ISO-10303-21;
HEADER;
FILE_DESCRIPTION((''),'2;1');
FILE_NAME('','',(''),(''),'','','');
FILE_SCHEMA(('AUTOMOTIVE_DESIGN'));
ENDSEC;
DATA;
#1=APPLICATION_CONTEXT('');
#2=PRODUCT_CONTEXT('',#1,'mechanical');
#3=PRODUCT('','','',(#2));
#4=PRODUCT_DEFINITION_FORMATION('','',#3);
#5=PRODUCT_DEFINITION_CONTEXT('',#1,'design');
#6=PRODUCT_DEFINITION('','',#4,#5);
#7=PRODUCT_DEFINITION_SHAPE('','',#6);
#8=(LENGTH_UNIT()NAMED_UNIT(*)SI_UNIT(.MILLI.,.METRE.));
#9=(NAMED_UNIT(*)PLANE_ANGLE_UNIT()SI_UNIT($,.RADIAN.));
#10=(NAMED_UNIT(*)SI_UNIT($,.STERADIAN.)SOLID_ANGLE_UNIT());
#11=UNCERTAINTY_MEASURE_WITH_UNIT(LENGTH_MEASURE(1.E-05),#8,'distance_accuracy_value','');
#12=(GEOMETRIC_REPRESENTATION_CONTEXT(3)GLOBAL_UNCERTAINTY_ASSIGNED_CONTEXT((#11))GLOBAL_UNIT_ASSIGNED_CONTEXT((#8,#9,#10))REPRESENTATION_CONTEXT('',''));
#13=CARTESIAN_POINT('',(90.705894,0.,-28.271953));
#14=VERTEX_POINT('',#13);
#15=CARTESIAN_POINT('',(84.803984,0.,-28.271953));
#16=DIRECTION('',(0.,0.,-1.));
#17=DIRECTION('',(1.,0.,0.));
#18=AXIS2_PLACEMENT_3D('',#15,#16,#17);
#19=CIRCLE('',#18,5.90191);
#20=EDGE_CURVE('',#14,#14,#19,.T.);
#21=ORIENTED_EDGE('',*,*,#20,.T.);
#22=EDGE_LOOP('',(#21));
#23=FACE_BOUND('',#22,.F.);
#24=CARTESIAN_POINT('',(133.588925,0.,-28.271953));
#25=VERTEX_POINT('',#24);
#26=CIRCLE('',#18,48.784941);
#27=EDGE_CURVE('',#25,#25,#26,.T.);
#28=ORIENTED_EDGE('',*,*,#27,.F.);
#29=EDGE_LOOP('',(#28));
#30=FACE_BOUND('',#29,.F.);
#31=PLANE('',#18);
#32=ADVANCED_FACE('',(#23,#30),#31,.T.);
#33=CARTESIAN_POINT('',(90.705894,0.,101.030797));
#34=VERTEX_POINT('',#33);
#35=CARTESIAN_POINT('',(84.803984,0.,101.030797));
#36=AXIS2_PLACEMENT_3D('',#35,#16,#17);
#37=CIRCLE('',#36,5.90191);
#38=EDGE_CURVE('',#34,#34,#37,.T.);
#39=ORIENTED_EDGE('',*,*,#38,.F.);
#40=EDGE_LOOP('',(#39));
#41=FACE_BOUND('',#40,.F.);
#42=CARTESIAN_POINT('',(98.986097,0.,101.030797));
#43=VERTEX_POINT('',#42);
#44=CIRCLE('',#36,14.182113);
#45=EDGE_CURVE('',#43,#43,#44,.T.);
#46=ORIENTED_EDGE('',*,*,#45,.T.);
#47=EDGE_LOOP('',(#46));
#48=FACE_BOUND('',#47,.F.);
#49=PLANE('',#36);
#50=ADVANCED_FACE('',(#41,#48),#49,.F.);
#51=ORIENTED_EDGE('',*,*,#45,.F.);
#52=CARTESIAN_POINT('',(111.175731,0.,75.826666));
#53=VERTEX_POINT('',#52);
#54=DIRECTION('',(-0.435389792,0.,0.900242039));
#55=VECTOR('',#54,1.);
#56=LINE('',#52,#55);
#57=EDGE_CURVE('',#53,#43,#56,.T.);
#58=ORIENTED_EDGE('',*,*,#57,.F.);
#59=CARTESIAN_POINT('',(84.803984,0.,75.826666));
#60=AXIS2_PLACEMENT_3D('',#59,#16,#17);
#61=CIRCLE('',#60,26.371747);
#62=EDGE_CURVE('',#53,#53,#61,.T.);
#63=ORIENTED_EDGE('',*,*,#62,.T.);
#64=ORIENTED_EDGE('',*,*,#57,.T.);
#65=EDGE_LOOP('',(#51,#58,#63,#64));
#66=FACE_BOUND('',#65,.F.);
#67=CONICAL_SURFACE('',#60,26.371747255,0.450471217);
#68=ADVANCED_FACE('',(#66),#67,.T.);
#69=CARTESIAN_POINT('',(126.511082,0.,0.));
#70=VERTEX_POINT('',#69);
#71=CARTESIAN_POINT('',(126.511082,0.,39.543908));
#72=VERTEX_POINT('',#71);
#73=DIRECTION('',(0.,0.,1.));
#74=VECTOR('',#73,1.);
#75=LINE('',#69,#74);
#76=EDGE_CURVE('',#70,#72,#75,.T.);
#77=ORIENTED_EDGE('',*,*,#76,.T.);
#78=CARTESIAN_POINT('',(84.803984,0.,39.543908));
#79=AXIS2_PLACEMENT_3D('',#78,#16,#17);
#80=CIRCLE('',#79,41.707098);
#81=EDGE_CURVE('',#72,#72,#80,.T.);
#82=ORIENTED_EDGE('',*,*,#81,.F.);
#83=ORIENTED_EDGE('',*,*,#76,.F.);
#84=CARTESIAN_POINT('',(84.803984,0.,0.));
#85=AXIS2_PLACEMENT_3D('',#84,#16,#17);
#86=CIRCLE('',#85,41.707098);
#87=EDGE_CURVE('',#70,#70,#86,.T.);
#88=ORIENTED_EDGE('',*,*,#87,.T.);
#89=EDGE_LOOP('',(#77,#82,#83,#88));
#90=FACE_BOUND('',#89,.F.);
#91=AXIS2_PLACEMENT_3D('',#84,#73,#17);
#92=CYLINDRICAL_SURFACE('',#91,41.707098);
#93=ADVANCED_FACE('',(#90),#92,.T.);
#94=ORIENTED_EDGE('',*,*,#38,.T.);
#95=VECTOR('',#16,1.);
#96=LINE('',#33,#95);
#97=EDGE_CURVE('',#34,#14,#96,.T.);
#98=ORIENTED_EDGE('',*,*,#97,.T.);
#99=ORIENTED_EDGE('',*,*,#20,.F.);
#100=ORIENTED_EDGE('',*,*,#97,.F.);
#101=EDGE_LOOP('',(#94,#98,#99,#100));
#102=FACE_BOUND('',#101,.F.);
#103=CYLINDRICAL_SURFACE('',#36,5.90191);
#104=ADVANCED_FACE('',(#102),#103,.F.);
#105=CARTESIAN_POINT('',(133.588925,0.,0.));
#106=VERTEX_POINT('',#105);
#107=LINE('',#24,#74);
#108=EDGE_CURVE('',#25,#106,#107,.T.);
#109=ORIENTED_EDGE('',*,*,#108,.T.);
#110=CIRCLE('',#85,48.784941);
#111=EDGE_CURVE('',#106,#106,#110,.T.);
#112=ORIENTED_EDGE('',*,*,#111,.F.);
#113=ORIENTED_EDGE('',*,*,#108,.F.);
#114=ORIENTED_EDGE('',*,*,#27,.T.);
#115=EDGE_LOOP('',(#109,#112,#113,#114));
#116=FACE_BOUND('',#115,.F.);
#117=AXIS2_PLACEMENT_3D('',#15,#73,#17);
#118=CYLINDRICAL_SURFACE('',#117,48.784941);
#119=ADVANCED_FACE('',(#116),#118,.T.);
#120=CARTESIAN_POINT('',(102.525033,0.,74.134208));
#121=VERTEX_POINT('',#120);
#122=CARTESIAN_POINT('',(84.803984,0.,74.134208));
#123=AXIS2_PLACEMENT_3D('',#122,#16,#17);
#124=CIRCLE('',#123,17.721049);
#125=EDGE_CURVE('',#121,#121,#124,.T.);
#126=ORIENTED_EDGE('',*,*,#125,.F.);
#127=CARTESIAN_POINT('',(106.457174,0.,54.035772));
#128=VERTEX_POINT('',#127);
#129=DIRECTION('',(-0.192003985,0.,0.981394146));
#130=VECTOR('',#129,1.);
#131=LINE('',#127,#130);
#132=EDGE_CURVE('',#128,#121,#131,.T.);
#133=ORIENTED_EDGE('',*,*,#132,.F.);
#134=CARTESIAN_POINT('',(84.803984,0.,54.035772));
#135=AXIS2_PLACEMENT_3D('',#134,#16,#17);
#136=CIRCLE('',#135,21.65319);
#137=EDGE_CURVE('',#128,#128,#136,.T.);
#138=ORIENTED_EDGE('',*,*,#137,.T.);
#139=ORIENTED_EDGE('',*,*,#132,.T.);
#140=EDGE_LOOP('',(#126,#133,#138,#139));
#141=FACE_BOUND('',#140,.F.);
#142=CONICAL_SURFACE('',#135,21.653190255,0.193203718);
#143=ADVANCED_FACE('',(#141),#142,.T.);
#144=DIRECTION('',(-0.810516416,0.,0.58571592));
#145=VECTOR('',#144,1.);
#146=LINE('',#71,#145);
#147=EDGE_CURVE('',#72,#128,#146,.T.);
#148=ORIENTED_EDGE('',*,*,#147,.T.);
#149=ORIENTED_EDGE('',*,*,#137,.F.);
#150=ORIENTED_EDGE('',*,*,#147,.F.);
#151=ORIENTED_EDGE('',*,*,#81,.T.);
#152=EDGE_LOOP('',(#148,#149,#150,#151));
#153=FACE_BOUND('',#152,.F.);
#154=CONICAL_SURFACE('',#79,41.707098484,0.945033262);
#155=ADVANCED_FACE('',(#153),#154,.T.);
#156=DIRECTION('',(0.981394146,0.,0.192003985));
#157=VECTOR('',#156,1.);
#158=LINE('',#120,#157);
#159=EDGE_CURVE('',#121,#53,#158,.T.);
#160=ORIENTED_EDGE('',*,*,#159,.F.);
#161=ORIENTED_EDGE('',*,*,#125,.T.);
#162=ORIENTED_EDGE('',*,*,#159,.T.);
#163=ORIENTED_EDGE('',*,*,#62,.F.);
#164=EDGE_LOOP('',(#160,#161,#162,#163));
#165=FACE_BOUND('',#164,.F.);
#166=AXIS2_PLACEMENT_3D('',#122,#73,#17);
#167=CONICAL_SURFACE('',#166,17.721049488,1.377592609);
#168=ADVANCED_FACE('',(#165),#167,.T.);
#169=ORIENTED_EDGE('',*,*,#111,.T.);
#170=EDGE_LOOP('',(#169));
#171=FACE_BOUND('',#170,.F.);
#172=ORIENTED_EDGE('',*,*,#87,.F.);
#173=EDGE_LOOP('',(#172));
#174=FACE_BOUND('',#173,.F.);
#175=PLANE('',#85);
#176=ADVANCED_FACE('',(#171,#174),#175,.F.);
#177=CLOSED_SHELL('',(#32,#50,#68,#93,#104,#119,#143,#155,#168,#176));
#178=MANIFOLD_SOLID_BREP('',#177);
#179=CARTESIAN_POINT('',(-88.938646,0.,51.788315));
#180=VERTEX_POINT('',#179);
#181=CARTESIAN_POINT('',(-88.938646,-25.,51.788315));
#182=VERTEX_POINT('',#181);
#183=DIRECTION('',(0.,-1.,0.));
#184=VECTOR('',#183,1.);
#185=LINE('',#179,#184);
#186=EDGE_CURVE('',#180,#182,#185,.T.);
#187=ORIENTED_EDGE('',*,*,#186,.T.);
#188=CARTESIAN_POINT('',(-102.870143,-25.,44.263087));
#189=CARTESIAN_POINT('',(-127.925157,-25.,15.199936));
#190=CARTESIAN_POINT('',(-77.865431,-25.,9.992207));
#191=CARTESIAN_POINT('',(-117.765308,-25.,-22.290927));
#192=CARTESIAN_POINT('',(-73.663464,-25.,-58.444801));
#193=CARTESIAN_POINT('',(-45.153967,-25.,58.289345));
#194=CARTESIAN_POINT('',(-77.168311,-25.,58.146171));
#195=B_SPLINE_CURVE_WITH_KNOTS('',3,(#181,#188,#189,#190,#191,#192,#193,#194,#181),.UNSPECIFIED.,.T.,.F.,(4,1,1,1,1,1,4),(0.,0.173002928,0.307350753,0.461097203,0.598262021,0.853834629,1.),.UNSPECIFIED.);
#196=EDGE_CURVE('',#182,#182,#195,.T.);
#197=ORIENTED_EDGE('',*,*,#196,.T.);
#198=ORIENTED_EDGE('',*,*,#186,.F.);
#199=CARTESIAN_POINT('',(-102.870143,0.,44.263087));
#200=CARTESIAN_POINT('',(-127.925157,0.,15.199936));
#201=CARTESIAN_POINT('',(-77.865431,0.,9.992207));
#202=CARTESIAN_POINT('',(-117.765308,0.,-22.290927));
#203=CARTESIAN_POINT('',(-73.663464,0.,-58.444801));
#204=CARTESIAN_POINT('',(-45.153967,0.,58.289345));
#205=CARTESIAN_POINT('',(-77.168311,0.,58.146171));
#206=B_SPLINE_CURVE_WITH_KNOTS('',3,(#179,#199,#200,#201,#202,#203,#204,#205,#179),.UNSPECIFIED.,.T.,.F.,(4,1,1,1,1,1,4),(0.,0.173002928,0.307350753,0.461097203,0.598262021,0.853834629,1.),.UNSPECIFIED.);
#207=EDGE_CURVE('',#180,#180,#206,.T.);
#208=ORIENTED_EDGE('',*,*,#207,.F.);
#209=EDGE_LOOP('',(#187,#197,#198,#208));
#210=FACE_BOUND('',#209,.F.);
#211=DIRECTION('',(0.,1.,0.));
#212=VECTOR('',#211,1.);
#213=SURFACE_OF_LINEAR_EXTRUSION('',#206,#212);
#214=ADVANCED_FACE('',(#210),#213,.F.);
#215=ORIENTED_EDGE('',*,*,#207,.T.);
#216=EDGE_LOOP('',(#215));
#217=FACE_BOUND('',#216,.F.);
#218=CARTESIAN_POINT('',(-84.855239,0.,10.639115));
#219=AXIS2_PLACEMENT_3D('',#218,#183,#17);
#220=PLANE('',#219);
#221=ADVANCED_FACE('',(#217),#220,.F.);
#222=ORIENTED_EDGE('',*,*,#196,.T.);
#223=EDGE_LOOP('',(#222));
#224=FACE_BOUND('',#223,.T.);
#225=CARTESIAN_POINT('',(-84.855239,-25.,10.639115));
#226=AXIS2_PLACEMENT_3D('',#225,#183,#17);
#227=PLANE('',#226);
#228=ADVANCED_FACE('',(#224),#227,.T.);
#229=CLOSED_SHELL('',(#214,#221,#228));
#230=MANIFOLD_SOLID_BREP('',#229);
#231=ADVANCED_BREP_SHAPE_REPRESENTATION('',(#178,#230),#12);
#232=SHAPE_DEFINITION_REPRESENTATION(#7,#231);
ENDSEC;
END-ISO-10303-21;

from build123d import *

# Parameters (mm, degrees)
F3_DEPTH = 25


with BuildPart() as f1:
    # F0 (on Front) → F1 (revolve)
    with BuildSketch(Plane.XZ):
        Polygon((133.588925004, -28.271952644), (133.588925004, -11.5500353277), (133.588925004, 0), (126.5110820532, 0), (126.5110820532, 39.5439080894), (106.4571738243, 54.0357716382), (102.5250330567, 74.134208262), (111.1757308245, 75.826666337), (98.9860966802, 101.0307967663), (90.7058939338, 101.0307967663), (90.7058939338, -28.271952644), align=None)
    revolve(axis=Axis((84.8039835691, 0, 30.1330666989), (0, 0, -1)))


with BuildPart() as f3:
    # F2 (on Front) → F3 (new body)
    with BuildSketch(Plane.XZ):
        with BuildLine():
            add(Edge.make_bspline(
                [(-88.9386460185, 51.788315177), (-102.8701433255, 44.2630872752), (-127.9251567714, 15.1999355823), (-77.8654309998, 9.9922072843), (-117.7653083375, -22.2909268749), (-73.6634636246, -58.4448014335), (-45.1539672063, 58.2893453149), (-77.1683107455, 58.1461712966), (-88.9386460185, 51.788315177)],
                knots=[0, 0, 0, 0, 0.1730029282, 0.3073507534, 0.4610972034, 0.5982620212, 0.8538346293, 1, 1, 1, 1], degree=3))
        make_face()
    extrude(amount=F3_DEPTH)


solid = Compound([f1.part, f3.part])
